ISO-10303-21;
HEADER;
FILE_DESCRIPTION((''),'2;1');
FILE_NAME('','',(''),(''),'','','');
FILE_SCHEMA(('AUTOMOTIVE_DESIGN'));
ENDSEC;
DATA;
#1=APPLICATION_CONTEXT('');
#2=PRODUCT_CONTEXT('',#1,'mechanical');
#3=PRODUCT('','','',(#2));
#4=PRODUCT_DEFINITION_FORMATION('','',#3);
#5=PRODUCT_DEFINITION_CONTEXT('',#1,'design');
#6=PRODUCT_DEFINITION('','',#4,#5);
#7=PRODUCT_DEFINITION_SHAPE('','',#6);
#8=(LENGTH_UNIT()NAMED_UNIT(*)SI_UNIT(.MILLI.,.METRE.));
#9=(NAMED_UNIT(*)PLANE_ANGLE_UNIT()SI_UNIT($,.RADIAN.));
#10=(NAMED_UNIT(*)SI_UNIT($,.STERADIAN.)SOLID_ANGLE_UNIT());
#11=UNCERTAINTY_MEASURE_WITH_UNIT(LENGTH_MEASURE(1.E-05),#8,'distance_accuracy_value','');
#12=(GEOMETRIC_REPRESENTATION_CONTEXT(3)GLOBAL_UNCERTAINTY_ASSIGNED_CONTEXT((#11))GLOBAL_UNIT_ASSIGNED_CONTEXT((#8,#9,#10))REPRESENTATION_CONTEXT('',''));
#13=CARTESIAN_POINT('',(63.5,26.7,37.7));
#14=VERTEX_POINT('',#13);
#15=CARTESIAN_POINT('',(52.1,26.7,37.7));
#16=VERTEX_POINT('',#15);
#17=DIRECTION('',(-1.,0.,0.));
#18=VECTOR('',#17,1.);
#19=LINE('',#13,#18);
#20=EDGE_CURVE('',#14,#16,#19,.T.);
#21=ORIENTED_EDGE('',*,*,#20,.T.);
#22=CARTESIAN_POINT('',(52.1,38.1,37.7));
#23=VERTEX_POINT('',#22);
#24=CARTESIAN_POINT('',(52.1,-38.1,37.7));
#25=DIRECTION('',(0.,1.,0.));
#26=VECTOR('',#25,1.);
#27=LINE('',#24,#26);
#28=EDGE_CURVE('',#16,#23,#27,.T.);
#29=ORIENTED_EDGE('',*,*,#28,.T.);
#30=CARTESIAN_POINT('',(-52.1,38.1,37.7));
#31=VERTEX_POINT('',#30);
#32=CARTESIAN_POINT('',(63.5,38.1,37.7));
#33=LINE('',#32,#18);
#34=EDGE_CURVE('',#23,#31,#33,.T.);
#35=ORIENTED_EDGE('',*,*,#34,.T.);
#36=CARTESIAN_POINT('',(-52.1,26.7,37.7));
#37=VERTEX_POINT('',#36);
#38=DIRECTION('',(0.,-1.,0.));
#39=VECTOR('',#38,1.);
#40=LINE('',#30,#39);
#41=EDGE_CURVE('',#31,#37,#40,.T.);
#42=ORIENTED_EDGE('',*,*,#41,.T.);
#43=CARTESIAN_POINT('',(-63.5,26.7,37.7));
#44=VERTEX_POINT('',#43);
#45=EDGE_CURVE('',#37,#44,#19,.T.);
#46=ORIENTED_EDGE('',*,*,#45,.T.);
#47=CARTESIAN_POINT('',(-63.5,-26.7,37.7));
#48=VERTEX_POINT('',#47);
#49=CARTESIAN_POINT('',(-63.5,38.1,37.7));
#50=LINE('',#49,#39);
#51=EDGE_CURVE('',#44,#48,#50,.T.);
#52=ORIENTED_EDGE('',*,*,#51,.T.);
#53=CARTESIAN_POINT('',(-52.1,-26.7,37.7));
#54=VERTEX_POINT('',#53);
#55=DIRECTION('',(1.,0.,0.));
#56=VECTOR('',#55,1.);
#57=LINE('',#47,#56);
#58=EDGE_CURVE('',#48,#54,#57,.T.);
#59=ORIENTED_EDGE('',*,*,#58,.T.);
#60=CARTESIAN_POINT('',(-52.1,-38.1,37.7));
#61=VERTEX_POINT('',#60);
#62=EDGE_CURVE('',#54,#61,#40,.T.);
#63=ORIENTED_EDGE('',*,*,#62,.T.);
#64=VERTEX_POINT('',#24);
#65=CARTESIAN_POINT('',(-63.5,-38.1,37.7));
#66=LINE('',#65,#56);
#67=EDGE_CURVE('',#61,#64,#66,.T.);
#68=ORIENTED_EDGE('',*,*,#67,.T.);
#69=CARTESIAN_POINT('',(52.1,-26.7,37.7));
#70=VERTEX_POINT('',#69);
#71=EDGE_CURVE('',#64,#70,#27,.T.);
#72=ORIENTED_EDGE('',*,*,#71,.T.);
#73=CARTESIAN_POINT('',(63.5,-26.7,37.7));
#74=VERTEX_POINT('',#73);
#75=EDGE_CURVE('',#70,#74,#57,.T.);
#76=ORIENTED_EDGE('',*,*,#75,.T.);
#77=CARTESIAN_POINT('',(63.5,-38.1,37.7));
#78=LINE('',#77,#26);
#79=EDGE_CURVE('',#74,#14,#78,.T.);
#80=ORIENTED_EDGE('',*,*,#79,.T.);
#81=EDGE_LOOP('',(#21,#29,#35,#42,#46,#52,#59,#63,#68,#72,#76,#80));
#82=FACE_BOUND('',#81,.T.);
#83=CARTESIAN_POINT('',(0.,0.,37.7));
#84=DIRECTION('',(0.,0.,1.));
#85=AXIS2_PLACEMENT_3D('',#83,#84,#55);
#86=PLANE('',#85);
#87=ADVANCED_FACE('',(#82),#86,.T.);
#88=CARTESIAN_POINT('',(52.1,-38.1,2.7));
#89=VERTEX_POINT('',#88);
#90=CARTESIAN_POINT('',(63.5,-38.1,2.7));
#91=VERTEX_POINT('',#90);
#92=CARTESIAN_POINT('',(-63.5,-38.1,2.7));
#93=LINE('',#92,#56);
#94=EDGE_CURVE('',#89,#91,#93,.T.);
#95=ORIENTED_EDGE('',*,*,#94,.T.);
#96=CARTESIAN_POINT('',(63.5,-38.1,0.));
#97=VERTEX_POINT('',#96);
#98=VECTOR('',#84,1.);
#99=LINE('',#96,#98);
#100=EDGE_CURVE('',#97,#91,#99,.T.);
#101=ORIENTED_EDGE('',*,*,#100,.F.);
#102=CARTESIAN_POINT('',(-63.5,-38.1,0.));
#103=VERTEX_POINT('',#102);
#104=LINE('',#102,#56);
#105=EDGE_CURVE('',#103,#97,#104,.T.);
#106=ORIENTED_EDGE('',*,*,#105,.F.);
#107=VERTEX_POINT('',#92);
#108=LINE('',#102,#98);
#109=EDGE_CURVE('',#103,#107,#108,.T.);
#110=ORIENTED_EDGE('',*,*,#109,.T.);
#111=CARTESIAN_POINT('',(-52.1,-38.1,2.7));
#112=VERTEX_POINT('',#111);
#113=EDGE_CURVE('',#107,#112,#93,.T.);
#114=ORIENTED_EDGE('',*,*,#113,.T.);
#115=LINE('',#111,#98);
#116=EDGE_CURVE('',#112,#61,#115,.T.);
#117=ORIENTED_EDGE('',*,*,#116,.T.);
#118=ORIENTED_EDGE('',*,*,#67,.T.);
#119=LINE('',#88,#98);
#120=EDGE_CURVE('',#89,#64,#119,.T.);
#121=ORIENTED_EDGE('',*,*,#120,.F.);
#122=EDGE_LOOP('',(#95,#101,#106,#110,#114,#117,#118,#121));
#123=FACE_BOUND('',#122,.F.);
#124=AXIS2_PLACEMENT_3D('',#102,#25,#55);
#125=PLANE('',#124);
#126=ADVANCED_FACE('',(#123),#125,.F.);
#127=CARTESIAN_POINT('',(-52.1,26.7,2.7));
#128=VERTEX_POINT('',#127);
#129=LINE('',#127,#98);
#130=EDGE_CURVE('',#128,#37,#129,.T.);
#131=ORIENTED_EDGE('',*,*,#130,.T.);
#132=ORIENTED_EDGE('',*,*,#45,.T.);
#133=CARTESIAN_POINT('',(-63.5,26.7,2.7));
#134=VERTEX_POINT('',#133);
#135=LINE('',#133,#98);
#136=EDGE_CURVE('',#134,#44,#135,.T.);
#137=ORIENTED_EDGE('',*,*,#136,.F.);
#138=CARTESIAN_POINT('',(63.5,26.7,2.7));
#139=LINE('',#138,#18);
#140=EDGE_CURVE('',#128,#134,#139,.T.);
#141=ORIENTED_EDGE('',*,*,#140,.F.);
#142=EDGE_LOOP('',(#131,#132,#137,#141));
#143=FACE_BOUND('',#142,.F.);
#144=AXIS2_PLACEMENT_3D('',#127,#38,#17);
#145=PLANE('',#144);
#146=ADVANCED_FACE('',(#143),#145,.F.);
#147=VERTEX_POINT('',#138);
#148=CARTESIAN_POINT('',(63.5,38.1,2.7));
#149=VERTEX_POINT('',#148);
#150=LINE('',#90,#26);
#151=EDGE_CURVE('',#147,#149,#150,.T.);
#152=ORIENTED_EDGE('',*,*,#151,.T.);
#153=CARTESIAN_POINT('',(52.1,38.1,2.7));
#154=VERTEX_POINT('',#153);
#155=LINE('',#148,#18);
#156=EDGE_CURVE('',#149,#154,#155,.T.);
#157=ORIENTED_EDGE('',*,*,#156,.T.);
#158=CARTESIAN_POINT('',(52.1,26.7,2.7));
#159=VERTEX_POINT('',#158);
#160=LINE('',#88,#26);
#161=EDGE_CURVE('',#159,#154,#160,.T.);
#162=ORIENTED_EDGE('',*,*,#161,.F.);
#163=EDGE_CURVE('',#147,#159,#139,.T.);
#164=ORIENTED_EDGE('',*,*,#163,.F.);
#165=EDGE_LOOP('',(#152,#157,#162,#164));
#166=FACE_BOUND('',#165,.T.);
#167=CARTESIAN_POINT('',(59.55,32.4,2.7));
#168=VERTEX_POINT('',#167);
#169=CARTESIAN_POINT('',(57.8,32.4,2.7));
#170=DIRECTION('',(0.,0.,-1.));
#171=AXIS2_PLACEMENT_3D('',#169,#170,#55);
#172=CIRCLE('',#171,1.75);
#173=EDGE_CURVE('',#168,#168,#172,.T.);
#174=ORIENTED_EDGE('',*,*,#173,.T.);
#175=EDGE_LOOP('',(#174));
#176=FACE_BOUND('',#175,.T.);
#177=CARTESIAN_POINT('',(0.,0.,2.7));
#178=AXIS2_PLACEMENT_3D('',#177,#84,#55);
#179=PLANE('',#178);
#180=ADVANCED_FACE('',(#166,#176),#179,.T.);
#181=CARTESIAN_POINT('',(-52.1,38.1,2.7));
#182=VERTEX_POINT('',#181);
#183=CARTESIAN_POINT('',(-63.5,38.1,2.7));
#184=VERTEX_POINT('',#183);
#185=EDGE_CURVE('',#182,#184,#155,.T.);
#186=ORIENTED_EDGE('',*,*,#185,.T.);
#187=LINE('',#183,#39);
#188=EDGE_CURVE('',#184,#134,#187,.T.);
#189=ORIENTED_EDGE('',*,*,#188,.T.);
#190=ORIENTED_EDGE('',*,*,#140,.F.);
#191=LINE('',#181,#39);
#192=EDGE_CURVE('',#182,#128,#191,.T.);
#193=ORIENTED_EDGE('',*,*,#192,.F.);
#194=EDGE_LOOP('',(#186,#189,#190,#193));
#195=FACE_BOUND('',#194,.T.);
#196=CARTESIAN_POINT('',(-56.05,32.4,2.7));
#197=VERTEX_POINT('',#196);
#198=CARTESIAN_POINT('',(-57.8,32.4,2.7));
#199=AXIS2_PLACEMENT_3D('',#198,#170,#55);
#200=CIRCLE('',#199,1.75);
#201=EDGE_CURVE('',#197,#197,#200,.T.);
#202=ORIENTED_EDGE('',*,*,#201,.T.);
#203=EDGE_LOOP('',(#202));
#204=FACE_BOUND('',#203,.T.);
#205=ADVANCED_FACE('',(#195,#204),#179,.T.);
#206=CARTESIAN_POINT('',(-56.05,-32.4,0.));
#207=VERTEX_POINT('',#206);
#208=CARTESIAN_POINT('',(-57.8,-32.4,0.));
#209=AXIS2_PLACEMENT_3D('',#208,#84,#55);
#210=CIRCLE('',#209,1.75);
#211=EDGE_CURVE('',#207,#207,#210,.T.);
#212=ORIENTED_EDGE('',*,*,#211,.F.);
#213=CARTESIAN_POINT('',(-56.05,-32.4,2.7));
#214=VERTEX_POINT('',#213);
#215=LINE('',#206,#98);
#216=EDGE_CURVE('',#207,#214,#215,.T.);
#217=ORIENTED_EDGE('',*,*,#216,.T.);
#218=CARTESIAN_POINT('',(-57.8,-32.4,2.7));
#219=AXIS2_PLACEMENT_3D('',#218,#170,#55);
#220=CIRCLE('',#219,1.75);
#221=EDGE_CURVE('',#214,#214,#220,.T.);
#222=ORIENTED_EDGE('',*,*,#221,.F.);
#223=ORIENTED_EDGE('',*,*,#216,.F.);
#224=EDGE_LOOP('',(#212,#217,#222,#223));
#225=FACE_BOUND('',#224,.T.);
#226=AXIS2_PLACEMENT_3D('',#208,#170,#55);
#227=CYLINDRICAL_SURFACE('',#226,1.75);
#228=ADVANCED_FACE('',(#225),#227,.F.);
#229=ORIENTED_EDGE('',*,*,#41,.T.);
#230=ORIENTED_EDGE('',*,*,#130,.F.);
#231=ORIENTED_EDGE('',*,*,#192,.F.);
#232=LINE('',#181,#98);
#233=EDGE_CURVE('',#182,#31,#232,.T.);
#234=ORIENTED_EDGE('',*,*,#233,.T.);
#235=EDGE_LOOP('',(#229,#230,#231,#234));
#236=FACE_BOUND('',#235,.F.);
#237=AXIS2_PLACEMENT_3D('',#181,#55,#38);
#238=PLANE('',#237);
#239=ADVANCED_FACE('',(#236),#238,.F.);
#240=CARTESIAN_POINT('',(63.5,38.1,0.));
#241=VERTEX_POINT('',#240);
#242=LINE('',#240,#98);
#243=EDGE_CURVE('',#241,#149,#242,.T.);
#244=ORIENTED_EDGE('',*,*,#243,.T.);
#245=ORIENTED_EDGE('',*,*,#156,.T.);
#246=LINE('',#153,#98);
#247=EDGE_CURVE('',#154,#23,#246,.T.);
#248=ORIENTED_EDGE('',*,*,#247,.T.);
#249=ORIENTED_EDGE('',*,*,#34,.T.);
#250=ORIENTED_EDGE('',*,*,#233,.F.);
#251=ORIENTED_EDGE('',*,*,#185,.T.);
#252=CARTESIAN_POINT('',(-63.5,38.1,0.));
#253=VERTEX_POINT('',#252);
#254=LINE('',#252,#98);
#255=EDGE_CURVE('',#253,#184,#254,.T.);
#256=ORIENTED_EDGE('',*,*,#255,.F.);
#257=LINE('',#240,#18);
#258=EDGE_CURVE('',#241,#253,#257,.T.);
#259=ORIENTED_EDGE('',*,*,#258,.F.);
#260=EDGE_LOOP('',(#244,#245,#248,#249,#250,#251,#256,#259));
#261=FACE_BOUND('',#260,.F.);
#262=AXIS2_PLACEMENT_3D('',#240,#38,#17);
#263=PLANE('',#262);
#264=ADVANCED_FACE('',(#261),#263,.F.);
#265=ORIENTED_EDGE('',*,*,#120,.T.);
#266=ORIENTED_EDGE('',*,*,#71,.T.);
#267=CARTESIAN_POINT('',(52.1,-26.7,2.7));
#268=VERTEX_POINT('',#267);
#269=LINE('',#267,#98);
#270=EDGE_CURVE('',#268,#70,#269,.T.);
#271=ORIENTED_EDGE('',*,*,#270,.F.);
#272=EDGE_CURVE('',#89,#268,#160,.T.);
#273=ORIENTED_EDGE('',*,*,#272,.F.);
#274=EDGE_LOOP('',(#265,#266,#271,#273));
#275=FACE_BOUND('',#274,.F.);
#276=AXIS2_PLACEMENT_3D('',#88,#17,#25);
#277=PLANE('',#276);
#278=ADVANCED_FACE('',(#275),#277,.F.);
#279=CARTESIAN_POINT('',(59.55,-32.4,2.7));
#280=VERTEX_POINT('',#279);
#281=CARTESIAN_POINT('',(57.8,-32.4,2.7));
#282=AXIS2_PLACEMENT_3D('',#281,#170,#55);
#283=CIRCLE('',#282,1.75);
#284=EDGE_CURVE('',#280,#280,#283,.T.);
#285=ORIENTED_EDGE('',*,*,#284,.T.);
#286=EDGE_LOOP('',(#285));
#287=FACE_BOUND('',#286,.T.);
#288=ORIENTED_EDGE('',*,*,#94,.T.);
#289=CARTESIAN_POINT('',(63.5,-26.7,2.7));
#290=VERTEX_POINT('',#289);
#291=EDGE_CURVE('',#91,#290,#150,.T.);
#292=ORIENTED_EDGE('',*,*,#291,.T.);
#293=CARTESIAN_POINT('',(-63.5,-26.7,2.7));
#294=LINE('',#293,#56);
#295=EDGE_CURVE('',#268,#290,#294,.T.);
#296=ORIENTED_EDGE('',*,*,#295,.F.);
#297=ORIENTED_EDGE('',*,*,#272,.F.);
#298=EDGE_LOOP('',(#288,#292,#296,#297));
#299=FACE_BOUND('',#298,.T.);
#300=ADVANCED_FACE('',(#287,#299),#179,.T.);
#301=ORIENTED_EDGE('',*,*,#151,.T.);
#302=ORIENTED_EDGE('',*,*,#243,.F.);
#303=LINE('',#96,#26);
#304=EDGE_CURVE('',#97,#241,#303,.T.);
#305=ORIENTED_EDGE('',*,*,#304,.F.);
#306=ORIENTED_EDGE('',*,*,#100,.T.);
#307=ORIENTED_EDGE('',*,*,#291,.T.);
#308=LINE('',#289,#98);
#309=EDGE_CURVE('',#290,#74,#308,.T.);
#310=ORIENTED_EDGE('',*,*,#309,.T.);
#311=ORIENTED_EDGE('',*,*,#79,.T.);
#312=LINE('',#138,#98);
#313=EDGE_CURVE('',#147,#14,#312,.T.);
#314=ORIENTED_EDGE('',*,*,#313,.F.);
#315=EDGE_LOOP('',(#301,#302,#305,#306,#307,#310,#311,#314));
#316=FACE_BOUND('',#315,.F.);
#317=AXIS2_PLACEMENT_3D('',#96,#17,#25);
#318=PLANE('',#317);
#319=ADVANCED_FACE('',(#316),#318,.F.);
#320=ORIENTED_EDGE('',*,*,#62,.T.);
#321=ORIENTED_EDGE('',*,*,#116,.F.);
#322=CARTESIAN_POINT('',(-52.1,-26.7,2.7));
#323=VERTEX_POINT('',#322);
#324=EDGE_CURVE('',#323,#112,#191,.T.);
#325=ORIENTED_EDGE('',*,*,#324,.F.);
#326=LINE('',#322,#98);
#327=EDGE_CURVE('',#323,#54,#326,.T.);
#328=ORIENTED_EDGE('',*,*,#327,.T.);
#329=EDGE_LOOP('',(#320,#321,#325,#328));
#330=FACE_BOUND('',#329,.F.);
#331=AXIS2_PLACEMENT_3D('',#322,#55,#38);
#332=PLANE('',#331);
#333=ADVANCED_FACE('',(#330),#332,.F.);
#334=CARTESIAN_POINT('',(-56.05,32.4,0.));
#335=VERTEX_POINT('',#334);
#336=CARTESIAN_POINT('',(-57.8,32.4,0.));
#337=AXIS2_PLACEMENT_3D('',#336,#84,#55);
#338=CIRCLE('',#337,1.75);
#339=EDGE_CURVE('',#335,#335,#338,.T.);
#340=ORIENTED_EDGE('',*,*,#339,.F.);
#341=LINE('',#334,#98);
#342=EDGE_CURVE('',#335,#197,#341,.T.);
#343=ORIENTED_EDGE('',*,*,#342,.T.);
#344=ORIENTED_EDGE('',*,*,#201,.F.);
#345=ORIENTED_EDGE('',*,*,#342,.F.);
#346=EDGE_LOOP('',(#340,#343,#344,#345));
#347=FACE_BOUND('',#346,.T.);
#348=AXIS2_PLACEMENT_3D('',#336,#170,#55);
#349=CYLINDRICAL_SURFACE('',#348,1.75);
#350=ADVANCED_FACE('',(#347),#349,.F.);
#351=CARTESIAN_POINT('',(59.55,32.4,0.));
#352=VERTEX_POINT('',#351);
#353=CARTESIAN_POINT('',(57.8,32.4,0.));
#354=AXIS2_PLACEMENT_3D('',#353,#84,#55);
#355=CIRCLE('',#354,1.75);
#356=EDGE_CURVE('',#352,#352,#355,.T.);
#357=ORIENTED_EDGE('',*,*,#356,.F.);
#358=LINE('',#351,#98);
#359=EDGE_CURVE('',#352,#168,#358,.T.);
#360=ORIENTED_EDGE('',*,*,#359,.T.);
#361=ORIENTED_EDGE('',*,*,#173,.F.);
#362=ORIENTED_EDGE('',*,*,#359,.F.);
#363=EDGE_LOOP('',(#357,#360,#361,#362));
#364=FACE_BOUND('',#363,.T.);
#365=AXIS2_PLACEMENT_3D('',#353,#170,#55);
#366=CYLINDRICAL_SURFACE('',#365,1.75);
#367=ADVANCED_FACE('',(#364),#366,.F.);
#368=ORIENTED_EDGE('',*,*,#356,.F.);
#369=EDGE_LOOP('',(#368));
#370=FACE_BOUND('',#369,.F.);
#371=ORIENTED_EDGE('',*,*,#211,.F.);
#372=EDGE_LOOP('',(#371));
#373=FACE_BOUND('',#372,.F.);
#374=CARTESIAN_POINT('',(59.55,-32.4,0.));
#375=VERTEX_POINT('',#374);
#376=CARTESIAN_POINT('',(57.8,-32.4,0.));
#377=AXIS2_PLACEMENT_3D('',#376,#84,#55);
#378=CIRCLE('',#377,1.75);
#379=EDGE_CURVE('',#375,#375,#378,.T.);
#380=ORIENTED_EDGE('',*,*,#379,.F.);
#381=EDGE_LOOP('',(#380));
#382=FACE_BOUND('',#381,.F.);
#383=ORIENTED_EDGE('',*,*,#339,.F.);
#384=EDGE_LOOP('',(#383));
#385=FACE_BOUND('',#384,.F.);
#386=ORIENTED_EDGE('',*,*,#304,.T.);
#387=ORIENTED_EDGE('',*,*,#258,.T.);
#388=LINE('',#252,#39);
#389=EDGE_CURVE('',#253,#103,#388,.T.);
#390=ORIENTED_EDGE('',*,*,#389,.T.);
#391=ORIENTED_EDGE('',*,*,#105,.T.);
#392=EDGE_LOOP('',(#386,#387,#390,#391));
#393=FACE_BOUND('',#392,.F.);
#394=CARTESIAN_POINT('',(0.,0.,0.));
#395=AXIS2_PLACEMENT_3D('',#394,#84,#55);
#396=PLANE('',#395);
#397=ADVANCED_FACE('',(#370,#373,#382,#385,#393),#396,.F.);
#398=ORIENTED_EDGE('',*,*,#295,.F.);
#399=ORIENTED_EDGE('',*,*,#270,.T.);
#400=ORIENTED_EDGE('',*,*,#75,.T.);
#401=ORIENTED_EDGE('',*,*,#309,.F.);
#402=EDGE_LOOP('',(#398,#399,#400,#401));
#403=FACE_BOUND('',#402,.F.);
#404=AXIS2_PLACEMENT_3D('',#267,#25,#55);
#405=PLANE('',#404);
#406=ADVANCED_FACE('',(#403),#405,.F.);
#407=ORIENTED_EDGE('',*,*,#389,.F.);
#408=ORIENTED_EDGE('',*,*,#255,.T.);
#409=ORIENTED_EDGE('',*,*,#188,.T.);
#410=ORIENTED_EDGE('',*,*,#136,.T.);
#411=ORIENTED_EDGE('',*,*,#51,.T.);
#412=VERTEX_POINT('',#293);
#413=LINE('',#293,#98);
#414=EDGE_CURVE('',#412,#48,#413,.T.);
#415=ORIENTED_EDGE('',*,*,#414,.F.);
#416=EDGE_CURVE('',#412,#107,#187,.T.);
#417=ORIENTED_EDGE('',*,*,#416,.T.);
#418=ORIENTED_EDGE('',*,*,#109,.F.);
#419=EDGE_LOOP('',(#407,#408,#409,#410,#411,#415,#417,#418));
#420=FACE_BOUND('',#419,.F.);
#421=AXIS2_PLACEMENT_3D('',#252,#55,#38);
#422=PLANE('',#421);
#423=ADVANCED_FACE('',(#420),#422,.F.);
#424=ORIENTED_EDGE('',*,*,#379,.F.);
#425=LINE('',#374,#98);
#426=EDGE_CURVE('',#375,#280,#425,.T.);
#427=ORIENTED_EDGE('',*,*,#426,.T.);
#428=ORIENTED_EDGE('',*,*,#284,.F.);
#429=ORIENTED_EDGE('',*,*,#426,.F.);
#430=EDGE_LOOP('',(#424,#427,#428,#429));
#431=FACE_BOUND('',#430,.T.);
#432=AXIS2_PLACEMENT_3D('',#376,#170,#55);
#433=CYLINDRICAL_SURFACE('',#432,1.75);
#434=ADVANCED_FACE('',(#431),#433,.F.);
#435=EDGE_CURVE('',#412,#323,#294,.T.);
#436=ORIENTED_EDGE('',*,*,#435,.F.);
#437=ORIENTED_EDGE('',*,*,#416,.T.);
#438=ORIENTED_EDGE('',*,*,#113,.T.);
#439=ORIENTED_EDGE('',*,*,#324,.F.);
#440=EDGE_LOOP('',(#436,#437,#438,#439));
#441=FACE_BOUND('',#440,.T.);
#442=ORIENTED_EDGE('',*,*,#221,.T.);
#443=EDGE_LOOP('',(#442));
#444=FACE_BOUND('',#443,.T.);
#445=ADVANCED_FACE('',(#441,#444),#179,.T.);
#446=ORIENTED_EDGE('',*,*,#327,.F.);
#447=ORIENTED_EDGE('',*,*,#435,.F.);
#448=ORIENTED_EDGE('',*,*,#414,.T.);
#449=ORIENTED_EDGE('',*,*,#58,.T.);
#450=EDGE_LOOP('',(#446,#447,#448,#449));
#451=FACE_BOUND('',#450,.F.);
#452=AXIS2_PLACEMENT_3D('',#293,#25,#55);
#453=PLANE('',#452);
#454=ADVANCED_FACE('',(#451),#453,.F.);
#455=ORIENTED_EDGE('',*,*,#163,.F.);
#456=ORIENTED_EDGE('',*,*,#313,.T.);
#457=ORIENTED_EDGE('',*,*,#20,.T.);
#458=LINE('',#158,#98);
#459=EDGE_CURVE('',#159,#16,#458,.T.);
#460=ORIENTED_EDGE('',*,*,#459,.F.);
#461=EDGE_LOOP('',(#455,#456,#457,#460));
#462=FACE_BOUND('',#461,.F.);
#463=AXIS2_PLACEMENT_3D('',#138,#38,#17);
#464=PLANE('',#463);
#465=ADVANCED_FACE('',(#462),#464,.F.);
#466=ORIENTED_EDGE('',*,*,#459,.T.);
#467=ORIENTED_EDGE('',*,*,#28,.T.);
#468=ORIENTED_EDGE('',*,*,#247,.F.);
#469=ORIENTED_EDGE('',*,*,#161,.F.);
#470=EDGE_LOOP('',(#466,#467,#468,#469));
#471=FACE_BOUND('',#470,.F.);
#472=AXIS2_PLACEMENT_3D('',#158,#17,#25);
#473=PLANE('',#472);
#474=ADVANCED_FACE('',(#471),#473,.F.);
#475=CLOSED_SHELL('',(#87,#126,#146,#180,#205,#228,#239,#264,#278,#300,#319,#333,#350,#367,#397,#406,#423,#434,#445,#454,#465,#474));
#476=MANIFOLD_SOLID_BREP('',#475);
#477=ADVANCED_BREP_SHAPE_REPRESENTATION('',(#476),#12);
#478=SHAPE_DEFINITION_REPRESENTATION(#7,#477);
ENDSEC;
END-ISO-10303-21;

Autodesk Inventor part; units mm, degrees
ref_plane "YZ Plane" through (0, 0, 0) normal (1, 0, 0) x (0, 1, 0)
ref_plane "XZ Plane" through (0, 0, 0) normal (0, 1, 0) x (-1, 0, 0)
ref_plane "XY Plane" through (0, 0, 0) normal (0, 0, 1) x (1, 0, 0)
sketch "Sketch1" plane through (0, 0, 0) normal (0, 0, 1) x (1, 0, 0)
  line L0 (-63.5, -38.1) -> (63.5, -38.1)
  line L1 (63.5, -38.1) -> (63.5, 38.1)
  line L2 (63.5, 38.1) -> (-63.5, 38.1)
  line L3 (-63.5, 38.1) -> (-63.5, -38.1)
  line L4 (-63.5, -38.1) -> (63.5, 38.1) construction
  line L5 (63.5, -38.1) -> (-63.5, 38.1) construction
  line L6 (-57.8, -32.4) -> (57.8, -32.4)
  line L7 (57.8, -32.4) -> (57.8, 32.4)
  line L8 (57.8, 32.4) -> (-57.8, 32.4)
  line L9 (-57.8, 32.4) -> (-57.8, -32.4)
  line L10 (-57.8, -32.4) -> (57.8, 32.4) construction
  line L11 (57.8, -32.4) -> (-57.8, 32.4) construction
  circle A0 centre (-57.8, 32.4) radius 1.75
  circle A1 centre (57.8, 32.4) radius 1.75
  circle A2 centre (57.8, -32.4) radius 1.75
  circle A3 centre (-57.8, -32.4) radius 1.75
  point P0 (0, 0)
  dimension "d0" = 127
  dimension "d1" = 76.2
  dimension "d2" = 115.6
  dimension "d3" = 64.8
  dimension "d4" = 3.5
extrude "Extrusion1" add sketch "Sketch1" along normal blind 2.7 contours L3 L2 L1 L0 | A3 L9 A0 L8 A1 L7 A2 L6
sketch "Sketch2" plane through (0, 0, 2.7) normal (0, 0, 1) x (1, 0, 0)
  line L0 (63.5, -38.1) -> (63.5, 38.1) projected
  line L1 (63.5, 38.1) -> (-63.5, 38.1) projected
  line L2 (-63.5, 38.1) -> (-63.5, -38.1) projected
  line L3 (-63.5, -38.1) -> (63.5, -38.1) projected
  circle A0 centre (57.8, -32.4) radius 1.75 projected
  circle A1 centre (57.8, 32.4) radius 1.75 projected
  circle A2 centre (-57.8, 32.4) radius 1.75 projected
  circle A3 centre (-57.8, -32.4) radius 1.75 projected
  line L4 (-52.1, -38.1) -> (52.1, -38.1)
  line L5 (52.1, -38.1) -> (52.1, 38.1)
  line L6 (52.1, 38.1) -> (-52.1, 38.1)
  line L7 (-52.1, 38.1) -> (-52.1, -38.1)
  line L8 (-52.1, -38.1) -> (52.1, 38.1) construction
  line L9 (52.1, -38.1) -> (-52.1, 38.1) construction
  line L10 (-63.5, -26.7) -> (63.5, -26.7)
  line L11 (63.5, -26.7) -> (63.5, 26.7)
  line L12 (63.5, 26.7) -> (-63.5, 26.7)
  line L13 (-63.5, 26.7) -> (-63.5, -26.7)
  line L14 (-63.5, -26.7) -> (63.5, 26.7) construction
  line L15 (63.5, -26.7) -> (-63.5, 26.7) construction
  point P0 (0, 0)
  point P1 (52.1, 26.7)
  point P2 (-52.1, 26.7)
  point P3 (-52.1, -26.7)
  point P4 (52.1, -26.7)
  dimension "d7" = 5.7
  dimension "d8" = 5.7
extrude "Extrusion2" add sketch "Sketch2" along normal blind 35 contours L10 L5 L12 L0 | L3 L7 L10 L5 | L10 L7 L12 L5 | L12 L7 L1 L5 | L10 L2 L12 L7
equation "\"d8\" = d7"
properties part number "EPP-400-24"
